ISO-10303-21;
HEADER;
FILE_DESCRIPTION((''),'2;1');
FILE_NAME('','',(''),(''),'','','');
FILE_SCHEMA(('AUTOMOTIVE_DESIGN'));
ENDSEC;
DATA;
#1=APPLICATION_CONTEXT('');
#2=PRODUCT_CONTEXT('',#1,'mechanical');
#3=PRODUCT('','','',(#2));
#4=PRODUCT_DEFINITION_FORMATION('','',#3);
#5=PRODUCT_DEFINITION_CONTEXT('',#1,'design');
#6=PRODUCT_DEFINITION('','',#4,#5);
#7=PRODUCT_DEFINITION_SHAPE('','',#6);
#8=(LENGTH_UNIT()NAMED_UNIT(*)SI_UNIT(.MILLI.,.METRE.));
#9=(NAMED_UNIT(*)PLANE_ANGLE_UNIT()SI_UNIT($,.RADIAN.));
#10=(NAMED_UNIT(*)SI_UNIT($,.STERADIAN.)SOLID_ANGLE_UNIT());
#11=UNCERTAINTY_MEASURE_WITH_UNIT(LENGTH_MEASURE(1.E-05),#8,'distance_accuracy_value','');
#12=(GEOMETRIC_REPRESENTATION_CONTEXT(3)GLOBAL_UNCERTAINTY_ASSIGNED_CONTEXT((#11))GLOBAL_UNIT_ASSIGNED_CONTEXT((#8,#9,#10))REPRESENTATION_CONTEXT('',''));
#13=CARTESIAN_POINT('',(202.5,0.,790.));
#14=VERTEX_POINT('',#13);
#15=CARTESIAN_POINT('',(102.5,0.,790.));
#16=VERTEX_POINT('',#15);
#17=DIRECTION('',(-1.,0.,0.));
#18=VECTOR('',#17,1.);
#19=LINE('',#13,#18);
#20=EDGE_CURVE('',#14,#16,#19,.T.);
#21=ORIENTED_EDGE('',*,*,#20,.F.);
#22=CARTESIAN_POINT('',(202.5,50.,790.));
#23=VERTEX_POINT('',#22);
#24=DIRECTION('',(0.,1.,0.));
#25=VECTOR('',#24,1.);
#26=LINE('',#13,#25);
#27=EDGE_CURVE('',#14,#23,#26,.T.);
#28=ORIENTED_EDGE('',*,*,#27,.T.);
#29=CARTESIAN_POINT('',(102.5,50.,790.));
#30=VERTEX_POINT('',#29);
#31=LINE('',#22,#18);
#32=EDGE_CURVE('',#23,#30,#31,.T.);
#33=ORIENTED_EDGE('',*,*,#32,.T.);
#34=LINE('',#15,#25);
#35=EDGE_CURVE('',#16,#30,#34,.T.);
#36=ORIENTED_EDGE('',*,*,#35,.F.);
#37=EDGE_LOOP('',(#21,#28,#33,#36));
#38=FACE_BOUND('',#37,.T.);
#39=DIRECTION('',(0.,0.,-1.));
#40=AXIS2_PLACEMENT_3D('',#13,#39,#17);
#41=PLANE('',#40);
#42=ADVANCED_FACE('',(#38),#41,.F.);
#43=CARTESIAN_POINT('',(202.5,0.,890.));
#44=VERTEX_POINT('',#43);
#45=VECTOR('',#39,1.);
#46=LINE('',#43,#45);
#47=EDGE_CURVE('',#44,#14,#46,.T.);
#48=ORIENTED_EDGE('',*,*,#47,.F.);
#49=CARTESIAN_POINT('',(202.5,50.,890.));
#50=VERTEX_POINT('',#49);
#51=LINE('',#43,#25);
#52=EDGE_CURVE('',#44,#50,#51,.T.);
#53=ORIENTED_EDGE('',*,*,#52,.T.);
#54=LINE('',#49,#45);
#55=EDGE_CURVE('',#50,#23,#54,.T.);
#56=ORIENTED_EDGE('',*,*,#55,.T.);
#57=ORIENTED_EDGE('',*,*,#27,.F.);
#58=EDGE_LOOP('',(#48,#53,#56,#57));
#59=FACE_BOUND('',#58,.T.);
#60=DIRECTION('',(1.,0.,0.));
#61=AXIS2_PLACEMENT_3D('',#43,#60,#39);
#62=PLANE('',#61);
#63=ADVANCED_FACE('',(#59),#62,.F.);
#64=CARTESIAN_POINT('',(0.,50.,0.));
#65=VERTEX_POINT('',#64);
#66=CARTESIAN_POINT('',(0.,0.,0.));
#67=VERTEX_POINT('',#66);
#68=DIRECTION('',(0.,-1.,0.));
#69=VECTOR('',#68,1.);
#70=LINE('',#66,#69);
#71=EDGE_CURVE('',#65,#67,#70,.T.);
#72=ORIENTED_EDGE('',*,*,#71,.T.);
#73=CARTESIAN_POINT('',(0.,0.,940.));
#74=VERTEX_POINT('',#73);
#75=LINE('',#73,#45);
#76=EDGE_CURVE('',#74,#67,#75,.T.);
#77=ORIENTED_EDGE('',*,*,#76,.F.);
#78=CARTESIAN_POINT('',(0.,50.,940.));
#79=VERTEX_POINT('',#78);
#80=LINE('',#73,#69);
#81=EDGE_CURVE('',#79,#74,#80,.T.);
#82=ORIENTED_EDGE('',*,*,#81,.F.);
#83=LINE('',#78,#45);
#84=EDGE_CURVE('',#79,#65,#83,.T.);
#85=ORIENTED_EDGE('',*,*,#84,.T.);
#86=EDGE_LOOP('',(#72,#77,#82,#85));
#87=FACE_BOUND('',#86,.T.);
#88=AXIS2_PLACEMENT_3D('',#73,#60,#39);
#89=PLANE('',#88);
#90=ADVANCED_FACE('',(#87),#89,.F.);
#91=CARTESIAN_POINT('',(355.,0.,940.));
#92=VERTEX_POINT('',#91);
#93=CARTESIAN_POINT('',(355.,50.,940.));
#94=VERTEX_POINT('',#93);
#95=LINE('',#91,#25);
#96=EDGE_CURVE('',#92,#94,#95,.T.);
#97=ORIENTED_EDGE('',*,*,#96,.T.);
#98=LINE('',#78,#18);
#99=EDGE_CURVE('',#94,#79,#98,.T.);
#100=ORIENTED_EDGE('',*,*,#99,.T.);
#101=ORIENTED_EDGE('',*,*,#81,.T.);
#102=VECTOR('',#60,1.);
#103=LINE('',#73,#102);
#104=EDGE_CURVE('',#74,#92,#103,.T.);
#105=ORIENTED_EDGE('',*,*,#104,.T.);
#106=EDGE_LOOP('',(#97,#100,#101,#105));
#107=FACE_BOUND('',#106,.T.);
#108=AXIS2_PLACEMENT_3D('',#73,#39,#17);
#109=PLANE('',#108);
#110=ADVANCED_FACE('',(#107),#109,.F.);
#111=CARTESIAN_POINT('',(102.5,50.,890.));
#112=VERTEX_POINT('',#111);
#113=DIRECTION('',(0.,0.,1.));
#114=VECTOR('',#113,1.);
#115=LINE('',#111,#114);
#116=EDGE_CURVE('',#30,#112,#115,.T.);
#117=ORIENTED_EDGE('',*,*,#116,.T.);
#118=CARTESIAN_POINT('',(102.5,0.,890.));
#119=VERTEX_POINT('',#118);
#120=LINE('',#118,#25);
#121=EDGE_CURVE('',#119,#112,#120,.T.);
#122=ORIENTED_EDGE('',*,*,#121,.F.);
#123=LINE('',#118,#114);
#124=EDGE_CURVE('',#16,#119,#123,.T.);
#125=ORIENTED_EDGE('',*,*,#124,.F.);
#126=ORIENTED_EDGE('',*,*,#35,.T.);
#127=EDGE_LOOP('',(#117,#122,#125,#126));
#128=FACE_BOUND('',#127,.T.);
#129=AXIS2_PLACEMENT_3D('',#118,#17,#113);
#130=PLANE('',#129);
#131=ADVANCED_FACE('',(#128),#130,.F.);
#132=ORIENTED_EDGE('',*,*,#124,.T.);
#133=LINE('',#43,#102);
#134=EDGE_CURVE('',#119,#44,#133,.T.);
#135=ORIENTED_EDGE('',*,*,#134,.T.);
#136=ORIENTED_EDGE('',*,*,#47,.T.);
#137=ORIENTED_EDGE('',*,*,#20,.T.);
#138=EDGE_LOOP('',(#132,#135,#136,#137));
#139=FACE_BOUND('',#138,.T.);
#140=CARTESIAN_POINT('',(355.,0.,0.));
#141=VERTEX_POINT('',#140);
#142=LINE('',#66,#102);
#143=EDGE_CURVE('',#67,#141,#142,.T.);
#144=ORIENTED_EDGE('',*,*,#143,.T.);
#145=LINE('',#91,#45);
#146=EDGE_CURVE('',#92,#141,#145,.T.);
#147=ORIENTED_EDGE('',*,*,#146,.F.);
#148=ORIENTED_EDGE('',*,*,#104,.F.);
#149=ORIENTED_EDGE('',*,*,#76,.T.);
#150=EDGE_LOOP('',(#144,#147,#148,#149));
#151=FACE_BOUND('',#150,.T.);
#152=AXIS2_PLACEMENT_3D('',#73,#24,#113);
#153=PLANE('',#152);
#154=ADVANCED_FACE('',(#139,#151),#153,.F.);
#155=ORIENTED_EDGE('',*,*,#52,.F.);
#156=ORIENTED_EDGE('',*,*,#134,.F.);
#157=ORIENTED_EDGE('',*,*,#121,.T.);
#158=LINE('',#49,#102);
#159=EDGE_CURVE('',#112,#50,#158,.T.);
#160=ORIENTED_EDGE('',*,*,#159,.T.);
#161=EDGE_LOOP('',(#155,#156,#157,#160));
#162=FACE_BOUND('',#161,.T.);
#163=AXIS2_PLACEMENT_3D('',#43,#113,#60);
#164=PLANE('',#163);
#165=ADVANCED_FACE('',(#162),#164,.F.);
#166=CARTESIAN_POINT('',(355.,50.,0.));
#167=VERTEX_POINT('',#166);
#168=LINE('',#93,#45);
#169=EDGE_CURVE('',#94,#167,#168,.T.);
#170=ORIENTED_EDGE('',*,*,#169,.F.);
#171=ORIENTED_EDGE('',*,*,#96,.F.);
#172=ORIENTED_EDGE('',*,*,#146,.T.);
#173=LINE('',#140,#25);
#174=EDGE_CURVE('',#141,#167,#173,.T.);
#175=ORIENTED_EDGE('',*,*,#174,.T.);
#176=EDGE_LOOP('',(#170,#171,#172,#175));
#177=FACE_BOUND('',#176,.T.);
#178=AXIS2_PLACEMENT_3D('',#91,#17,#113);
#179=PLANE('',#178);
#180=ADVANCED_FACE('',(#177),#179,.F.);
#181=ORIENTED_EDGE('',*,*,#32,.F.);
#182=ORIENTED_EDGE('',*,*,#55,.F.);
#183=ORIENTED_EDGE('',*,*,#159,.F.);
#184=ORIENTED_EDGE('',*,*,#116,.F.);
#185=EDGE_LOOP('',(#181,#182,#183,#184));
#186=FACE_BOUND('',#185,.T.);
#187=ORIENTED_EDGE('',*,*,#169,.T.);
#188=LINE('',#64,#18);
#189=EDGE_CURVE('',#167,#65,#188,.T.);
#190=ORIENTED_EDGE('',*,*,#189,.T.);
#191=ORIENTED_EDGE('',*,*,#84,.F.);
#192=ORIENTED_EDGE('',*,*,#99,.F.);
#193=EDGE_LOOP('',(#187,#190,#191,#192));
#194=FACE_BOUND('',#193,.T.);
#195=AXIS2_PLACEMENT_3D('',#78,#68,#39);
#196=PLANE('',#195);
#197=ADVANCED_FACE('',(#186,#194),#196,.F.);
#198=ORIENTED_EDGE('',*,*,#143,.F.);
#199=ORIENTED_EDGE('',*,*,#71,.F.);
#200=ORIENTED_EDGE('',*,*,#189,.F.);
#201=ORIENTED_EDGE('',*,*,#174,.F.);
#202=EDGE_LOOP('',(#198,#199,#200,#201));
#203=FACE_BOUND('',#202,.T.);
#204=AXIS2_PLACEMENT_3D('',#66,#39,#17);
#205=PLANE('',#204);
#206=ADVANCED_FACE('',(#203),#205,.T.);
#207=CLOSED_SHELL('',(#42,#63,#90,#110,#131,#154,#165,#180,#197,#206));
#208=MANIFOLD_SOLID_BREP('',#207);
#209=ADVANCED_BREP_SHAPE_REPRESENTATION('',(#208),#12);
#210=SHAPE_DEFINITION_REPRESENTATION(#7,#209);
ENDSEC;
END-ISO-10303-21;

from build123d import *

# Parameters (mm, degrees)
SKETCH1_W           = 355
SKETCH1_H           = 50
BOSS_EXTRUDE1_DEPTH = 940
SKETCH2_W           = 100
SKETCH2_H           = 100
CUT_EXTRUDE1_DEPTH  = 1007.04423362


with BuildPart() as part:
    # Sketch1 → Boss-Extrude1 (new body)
    with BuildSketch(Plane.XY):
        with Locations((177.5, 25)):
            Rectangle(SKETCH1_W, SKETCH1_H)
    extrude(amount=BOSS_EXTRUDE1_DEPTH)

    # Sketch2 → Cut-Extrude1 (cut, through all)
    with BuildSketch(Plane(origin=(0, 50, 0), x_dir=(1, 0, 0), z_dir=(0, 1, 0))):
        with Locations((152.5, -840)):
            Rectangle(SKETCH2_W, SKETCH2_H)
    extrude(amount=-CUT_EXTRUDE1_DEPTH, mode=Mode.SUBTRACT)


solid = part.part
